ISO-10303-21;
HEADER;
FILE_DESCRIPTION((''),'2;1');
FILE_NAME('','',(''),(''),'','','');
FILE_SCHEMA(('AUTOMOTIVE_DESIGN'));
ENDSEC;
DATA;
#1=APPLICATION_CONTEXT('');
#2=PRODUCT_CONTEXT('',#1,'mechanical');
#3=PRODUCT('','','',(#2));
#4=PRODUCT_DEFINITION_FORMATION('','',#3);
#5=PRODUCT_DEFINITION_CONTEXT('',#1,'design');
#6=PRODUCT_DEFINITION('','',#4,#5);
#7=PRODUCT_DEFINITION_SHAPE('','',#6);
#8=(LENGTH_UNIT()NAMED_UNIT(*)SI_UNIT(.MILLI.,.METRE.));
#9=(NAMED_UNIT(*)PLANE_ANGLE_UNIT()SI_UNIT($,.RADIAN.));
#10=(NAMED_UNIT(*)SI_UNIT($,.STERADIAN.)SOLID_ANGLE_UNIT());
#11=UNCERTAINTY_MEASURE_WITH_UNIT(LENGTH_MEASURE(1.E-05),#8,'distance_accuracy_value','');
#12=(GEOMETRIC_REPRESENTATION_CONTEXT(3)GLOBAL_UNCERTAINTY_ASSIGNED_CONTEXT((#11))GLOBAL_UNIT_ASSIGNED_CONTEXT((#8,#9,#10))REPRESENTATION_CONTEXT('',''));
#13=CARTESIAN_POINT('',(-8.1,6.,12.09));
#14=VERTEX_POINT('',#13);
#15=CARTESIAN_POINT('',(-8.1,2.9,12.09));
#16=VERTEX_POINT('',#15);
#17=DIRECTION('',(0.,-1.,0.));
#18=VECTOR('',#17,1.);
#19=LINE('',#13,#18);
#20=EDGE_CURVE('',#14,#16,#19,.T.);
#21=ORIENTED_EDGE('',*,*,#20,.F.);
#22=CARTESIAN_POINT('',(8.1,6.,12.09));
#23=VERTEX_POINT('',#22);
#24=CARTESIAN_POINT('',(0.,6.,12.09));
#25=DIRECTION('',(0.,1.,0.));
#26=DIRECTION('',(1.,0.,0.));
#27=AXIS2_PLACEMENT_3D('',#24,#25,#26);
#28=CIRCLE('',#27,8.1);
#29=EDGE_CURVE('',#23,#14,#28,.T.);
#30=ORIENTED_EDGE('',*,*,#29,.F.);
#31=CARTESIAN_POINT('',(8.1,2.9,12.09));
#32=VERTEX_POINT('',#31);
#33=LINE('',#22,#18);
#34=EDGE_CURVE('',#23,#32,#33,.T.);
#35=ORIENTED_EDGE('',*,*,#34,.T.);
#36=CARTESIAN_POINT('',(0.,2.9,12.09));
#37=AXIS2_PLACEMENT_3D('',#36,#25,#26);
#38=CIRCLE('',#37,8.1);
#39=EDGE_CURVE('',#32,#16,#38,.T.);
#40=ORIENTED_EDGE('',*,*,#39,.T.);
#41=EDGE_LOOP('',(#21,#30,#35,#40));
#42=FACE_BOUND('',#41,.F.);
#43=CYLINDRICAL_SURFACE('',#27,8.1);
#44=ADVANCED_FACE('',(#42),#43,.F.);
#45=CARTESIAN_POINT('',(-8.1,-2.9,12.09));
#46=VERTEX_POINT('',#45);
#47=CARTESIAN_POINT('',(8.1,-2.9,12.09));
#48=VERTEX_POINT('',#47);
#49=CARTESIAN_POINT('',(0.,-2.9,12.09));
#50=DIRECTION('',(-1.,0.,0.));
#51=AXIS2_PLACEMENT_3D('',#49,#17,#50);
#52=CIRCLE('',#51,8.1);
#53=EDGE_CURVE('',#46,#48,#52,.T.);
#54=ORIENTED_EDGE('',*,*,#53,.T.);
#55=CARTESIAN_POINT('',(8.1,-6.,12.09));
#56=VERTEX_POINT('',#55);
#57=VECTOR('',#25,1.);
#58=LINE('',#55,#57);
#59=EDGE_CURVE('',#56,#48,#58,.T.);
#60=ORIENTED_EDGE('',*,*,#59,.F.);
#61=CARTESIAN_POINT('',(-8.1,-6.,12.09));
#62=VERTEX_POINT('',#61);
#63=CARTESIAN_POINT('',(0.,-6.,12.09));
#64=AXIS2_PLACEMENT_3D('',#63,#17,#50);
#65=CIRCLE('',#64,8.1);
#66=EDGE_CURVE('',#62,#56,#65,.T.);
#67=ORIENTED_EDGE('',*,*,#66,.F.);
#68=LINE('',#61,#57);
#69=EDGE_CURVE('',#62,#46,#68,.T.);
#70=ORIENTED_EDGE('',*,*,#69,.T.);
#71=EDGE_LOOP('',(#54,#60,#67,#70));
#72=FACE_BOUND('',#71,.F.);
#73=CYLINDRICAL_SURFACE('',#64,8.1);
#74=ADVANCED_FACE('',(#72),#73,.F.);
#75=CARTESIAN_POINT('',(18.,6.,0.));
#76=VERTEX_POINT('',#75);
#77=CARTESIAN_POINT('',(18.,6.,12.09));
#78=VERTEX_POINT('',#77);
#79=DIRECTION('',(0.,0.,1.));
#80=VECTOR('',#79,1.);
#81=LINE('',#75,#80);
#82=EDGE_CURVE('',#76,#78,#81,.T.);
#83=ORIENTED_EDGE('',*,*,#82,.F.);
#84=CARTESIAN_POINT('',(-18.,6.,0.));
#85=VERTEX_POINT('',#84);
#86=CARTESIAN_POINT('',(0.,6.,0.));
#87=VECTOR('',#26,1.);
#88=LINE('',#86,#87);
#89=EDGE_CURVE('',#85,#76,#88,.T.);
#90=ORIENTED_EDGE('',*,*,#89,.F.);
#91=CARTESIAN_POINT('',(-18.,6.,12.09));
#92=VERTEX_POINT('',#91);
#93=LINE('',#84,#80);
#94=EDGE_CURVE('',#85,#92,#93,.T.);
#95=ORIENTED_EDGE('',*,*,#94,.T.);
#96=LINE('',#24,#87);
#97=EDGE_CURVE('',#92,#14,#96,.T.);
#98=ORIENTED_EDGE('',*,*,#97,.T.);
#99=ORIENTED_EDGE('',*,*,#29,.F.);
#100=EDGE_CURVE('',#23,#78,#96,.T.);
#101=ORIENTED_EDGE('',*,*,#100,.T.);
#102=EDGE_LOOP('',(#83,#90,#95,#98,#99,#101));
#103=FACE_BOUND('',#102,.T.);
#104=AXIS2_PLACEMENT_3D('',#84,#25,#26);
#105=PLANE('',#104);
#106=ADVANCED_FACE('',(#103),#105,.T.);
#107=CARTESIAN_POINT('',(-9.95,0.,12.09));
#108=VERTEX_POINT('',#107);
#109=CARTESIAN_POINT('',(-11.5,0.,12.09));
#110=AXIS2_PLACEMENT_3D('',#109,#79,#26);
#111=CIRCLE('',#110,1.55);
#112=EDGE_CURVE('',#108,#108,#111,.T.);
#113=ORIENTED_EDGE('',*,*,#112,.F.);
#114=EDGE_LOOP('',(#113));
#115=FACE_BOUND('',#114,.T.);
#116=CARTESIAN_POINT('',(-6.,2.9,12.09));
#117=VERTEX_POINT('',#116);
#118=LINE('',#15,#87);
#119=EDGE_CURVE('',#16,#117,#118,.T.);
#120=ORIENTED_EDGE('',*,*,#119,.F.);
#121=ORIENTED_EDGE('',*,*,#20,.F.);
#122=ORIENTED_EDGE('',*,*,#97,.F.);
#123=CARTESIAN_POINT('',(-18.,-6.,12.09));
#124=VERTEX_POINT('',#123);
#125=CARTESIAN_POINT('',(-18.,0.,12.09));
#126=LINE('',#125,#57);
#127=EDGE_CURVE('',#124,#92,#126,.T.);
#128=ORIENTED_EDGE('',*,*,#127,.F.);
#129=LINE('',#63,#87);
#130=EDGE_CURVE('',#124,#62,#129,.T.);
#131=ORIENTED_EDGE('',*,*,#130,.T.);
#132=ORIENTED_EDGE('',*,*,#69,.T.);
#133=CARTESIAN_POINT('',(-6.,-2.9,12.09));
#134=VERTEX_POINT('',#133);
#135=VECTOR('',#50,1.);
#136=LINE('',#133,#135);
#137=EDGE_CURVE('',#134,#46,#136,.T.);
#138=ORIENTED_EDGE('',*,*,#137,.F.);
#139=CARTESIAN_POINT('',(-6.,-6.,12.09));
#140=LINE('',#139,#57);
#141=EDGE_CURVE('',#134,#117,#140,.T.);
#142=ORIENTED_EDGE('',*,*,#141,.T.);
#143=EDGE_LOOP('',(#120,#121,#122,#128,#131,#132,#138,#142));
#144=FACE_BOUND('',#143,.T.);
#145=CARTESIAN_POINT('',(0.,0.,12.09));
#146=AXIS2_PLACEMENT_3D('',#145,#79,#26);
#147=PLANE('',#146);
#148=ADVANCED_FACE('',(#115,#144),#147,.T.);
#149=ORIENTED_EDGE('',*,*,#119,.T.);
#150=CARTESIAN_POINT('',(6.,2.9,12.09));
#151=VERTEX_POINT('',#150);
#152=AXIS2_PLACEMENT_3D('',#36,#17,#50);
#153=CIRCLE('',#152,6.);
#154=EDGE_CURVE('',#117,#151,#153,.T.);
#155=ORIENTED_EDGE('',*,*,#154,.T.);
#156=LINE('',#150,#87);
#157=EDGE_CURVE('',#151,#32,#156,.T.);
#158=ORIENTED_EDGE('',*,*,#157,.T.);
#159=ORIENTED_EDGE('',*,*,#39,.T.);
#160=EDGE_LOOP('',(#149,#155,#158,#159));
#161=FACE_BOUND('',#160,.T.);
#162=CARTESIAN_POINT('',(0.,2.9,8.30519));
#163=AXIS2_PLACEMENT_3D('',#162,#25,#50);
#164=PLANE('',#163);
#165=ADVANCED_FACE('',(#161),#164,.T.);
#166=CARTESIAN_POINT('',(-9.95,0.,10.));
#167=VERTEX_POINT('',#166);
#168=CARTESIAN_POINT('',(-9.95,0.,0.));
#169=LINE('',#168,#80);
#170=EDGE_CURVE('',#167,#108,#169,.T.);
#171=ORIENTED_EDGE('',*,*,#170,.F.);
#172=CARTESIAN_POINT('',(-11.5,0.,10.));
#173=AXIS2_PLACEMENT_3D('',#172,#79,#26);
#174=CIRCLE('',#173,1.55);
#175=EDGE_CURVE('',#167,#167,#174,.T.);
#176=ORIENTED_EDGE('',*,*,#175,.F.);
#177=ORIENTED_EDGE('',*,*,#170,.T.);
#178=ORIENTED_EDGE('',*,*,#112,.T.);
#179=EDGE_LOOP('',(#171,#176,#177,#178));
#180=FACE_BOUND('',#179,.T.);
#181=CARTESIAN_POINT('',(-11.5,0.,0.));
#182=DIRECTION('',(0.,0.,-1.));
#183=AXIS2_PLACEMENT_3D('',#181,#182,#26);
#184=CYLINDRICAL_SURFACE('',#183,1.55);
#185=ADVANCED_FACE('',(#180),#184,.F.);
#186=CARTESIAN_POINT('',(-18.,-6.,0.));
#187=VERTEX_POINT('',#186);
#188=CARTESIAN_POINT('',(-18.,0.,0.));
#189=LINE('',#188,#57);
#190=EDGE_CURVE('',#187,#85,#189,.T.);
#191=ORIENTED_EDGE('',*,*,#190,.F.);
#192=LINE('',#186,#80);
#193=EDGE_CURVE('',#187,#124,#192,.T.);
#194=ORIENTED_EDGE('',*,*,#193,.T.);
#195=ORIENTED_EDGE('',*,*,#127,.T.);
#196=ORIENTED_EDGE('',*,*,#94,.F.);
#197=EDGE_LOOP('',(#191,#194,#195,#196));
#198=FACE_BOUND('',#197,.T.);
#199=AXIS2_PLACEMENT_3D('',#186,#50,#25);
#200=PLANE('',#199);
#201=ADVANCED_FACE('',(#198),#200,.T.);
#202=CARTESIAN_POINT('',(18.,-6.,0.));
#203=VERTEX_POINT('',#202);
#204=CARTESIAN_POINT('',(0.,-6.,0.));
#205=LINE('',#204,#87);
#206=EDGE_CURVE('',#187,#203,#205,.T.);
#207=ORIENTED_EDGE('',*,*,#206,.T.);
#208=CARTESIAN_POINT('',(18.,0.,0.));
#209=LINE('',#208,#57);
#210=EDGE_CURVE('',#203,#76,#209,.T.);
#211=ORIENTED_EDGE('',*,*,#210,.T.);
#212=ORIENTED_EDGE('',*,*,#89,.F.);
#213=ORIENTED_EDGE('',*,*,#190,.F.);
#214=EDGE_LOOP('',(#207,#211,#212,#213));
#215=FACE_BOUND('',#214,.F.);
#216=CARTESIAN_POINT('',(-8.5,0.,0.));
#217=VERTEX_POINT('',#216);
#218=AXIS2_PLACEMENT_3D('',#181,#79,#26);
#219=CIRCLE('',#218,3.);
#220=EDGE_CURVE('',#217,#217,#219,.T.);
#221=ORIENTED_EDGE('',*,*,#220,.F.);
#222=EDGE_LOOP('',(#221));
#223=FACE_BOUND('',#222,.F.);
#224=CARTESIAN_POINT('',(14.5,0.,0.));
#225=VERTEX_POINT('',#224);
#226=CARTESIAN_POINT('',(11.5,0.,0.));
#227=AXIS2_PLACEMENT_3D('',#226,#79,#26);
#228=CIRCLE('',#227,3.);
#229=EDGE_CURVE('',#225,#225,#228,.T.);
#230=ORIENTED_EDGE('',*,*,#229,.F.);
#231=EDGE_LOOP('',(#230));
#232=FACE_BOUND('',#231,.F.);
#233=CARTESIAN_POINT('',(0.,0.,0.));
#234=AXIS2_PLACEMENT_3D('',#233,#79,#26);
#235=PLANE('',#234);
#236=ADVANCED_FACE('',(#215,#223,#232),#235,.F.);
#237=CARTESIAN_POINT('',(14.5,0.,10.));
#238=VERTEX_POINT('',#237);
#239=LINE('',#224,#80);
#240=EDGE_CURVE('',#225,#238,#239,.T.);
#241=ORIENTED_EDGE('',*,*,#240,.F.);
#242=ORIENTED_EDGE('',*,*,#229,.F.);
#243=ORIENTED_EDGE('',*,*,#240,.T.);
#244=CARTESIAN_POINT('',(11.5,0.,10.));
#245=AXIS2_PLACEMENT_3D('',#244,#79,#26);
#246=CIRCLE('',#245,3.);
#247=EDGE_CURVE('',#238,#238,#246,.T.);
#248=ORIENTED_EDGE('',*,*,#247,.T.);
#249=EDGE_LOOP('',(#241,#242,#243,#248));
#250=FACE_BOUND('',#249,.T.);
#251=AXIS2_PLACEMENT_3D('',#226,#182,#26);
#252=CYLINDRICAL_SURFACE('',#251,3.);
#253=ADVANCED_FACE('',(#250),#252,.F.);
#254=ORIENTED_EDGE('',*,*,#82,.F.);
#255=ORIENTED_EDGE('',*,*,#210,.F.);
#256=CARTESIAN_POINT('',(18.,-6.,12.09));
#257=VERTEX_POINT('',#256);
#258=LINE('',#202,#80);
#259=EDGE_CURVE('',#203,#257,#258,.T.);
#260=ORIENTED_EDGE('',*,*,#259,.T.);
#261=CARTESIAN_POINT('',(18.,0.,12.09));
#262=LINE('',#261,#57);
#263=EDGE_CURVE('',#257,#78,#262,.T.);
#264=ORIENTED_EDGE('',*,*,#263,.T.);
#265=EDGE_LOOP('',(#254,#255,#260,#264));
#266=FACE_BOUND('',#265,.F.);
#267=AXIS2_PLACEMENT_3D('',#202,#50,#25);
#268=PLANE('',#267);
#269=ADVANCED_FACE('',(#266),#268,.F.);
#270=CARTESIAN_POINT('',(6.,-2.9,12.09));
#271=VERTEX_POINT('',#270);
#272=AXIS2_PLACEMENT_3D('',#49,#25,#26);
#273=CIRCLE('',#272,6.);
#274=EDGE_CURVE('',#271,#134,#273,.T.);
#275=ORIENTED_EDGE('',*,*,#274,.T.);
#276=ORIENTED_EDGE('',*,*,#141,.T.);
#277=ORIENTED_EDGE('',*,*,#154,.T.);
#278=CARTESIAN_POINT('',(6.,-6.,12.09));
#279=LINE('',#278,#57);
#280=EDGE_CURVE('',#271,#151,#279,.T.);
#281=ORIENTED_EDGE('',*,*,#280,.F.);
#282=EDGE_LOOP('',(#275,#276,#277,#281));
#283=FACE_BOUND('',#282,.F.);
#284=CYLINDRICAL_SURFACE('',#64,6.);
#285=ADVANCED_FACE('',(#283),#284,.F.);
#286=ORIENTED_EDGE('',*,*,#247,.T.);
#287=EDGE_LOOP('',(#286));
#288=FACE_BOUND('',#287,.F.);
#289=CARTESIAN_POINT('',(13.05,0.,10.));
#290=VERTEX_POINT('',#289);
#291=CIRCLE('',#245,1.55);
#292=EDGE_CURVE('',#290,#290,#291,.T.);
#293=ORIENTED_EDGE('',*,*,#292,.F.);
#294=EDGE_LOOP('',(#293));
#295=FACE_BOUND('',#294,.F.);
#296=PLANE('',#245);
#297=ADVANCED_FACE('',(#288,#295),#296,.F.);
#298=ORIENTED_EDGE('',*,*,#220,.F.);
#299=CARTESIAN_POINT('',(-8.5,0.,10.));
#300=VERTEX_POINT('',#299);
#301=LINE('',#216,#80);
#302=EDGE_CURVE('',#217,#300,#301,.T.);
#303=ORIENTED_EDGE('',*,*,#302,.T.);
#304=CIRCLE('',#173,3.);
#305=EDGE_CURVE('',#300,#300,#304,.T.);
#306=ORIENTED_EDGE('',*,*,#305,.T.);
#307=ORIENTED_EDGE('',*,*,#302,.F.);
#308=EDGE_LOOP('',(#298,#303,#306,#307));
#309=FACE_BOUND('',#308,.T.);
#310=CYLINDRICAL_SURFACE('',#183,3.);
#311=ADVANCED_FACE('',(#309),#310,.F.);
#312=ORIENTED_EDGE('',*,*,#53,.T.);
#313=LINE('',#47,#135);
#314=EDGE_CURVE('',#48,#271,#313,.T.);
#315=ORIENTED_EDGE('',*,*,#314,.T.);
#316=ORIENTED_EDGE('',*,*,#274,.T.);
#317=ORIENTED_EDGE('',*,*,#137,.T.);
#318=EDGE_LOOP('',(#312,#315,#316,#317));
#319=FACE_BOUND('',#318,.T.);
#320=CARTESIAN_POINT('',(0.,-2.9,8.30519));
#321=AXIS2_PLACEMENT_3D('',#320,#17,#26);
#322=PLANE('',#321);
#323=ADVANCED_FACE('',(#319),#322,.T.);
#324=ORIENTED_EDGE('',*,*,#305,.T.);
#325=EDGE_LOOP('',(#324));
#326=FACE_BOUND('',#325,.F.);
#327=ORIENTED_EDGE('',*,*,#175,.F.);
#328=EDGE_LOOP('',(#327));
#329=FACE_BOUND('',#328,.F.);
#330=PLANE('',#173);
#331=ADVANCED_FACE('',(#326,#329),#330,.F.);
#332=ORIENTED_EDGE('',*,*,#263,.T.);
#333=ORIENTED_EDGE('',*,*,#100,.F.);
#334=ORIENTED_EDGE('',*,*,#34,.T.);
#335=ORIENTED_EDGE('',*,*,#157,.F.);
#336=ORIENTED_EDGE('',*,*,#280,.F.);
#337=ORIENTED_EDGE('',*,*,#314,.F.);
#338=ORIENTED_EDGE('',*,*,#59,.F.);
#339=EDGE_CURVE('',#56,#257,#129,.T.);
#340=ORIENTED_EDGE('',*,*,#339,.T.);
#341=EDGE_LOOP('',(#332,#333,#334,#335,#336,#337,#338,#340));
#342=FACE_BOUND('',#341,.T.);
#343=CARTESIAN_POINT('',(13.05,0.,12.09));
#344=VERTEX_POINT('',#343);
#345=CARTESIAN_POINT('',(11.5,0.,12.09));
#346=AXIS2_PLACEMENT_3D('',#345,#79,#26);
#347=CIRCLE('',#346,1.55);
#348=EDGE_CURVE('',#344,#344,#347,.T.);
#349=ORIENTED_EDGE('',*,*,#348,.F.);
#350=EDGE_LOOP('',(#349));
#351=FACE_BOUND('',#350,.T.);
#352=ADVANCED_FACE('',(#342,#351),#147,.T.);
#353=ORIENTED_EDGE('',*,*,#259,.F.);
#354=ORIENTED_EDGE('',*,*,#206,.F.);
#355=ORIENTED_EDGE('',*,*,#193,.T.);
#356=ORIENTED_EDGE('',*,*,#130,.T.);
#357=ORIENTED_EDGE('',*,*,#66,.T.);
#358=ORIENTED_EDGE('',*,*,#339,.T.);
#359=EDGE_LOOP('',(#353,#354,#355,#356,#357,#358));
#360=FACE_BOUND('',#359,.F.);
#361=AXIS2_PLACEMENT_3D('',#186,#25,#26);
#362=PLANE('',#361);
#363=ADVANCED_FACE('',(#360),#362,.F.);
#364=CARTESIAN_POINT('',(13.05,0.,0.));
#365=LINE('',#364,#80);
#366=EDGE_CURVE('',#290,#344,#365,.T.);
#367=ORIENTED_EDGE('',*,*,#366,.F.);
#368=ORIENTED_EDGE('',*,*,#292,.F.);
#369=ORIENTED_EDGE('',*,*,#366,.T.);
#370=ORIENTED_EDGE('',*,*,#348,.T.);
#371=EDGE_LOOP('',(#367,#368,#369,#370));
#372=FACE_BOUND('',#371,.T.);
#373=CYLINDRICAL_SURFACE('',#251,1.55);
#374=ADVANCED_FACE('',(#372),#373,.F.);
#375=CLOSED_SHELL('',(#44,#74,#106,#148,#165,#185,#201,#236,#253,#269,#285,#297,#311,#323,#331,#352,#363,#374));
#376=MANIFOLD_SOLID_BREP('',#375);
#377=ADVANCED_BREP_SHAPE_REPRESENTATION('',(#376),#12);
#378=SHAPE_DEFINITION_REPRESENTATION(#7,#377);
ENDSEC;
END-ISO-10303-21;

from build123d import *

# Parameters (mm, degrees)
F0_W     = 36
F0_H     = 12
F0_R     = 3
F0_R_2   = 1.55
F1_DEPTH = 12.09
F2_DEPTH = 10
F4_DEPTH = 12
F5_DEPTH = 3.1
F7_DEPTH = 3.1


with BuildPart() as f1:
    # F0 (on Top) → F1 (new body)
    with BuildSketch(Plane.XY):
        Rectangle(F0_W, F0_H)
        with Locations((-11.5, 0)):
            Circle(F0_R, mode=Mode.SUBTRACT)
        with Locations((11.5, 0)):
            Circle(F0_R, mode=Mode.SUBTRACT)
        with Locations((11.5, 0)):
            Circle(F0_R)
        with Locations((11.5, 0)):
            Circle(F0_R_2, mode=Mode.SUBTRACT)
        with Locations((-11.5, 0)):
            Circle(F0_R)
        with Locations((-11.5, 0)):
            Circle(F0_R_2, mode=Mode.SUBTRACT)
    extrude(amount=F1_DEPTH)

    # F0 (on Top) → F2 (cut)
    with BuildSketch(Plane.XY):
        with Locations((-11.5, 0)):
            Circle(F0_R)
        with Locations((-11.5, 0)):
            Circle(F0_R_2, mode=Mode.SUBTRACT)
        with Locations((11.5, 0)):
            Circle(F0_R)
        with Locations((11.5, 0)):
            Circle(F0_R_2, mode=Mode.SUBTRACT)
    extrude(amount=F2_DEPTH, mode=Mode.SUBTRACT)

    # F3 (on face) → F4 (cut, through all)
    with BuildSketch(Plane.XZ.offset(6)):
        with BuildLine():
            Line((6, 12.09), (-6, 12.09))
            ThreePointArc((-6, 12.09), (0, 6.09), (6, 12.09))
        make_face()
    extrude(amount=-F4_DEPTH, mode=Mode.SUBTRACT)

    # F3 (on face) → F5 (cut)
    with BuildSketch(Plane.XZ.offset(6)):
        with BuildLine():
            Line((-6, 12.09), (-8.1, 12.09))
            ThreePointArc((-8.1, 12.09), (0, 3.99), (8.1, 12.09))
            Line((8.1, 12.09), (6, 12.09))
            ThreePointArc((6, 12.09), (0, 6.09), (-6, 12.09))
        make_face()
    extrude(amount=-F5_DEPTH, mode=Mode.SUBTRACT)

    # F6 (on face) → F7 (cut)
    with BuildSketch(Plane(origin=(0, 6, 0), x_dir=(-1, 0, 0), z_dir=(0, 1, 0))):
        with BuildLine():
            Line((-6, 12.09), (-8.1, 12.09))
            ThreePointArc((-8.1, 12.09), (0, 3.99), (8.1, 12.09))
            Line((8.1, 12.09), (6, 12.09))
            ThreePointArc((6, 12.09), (0, 6.09), (-6, 12.09))
        make_face()
    extrude(amount=-F7_DEPTH, mode=Mode.SUBTRACT)


solid = f1.part
